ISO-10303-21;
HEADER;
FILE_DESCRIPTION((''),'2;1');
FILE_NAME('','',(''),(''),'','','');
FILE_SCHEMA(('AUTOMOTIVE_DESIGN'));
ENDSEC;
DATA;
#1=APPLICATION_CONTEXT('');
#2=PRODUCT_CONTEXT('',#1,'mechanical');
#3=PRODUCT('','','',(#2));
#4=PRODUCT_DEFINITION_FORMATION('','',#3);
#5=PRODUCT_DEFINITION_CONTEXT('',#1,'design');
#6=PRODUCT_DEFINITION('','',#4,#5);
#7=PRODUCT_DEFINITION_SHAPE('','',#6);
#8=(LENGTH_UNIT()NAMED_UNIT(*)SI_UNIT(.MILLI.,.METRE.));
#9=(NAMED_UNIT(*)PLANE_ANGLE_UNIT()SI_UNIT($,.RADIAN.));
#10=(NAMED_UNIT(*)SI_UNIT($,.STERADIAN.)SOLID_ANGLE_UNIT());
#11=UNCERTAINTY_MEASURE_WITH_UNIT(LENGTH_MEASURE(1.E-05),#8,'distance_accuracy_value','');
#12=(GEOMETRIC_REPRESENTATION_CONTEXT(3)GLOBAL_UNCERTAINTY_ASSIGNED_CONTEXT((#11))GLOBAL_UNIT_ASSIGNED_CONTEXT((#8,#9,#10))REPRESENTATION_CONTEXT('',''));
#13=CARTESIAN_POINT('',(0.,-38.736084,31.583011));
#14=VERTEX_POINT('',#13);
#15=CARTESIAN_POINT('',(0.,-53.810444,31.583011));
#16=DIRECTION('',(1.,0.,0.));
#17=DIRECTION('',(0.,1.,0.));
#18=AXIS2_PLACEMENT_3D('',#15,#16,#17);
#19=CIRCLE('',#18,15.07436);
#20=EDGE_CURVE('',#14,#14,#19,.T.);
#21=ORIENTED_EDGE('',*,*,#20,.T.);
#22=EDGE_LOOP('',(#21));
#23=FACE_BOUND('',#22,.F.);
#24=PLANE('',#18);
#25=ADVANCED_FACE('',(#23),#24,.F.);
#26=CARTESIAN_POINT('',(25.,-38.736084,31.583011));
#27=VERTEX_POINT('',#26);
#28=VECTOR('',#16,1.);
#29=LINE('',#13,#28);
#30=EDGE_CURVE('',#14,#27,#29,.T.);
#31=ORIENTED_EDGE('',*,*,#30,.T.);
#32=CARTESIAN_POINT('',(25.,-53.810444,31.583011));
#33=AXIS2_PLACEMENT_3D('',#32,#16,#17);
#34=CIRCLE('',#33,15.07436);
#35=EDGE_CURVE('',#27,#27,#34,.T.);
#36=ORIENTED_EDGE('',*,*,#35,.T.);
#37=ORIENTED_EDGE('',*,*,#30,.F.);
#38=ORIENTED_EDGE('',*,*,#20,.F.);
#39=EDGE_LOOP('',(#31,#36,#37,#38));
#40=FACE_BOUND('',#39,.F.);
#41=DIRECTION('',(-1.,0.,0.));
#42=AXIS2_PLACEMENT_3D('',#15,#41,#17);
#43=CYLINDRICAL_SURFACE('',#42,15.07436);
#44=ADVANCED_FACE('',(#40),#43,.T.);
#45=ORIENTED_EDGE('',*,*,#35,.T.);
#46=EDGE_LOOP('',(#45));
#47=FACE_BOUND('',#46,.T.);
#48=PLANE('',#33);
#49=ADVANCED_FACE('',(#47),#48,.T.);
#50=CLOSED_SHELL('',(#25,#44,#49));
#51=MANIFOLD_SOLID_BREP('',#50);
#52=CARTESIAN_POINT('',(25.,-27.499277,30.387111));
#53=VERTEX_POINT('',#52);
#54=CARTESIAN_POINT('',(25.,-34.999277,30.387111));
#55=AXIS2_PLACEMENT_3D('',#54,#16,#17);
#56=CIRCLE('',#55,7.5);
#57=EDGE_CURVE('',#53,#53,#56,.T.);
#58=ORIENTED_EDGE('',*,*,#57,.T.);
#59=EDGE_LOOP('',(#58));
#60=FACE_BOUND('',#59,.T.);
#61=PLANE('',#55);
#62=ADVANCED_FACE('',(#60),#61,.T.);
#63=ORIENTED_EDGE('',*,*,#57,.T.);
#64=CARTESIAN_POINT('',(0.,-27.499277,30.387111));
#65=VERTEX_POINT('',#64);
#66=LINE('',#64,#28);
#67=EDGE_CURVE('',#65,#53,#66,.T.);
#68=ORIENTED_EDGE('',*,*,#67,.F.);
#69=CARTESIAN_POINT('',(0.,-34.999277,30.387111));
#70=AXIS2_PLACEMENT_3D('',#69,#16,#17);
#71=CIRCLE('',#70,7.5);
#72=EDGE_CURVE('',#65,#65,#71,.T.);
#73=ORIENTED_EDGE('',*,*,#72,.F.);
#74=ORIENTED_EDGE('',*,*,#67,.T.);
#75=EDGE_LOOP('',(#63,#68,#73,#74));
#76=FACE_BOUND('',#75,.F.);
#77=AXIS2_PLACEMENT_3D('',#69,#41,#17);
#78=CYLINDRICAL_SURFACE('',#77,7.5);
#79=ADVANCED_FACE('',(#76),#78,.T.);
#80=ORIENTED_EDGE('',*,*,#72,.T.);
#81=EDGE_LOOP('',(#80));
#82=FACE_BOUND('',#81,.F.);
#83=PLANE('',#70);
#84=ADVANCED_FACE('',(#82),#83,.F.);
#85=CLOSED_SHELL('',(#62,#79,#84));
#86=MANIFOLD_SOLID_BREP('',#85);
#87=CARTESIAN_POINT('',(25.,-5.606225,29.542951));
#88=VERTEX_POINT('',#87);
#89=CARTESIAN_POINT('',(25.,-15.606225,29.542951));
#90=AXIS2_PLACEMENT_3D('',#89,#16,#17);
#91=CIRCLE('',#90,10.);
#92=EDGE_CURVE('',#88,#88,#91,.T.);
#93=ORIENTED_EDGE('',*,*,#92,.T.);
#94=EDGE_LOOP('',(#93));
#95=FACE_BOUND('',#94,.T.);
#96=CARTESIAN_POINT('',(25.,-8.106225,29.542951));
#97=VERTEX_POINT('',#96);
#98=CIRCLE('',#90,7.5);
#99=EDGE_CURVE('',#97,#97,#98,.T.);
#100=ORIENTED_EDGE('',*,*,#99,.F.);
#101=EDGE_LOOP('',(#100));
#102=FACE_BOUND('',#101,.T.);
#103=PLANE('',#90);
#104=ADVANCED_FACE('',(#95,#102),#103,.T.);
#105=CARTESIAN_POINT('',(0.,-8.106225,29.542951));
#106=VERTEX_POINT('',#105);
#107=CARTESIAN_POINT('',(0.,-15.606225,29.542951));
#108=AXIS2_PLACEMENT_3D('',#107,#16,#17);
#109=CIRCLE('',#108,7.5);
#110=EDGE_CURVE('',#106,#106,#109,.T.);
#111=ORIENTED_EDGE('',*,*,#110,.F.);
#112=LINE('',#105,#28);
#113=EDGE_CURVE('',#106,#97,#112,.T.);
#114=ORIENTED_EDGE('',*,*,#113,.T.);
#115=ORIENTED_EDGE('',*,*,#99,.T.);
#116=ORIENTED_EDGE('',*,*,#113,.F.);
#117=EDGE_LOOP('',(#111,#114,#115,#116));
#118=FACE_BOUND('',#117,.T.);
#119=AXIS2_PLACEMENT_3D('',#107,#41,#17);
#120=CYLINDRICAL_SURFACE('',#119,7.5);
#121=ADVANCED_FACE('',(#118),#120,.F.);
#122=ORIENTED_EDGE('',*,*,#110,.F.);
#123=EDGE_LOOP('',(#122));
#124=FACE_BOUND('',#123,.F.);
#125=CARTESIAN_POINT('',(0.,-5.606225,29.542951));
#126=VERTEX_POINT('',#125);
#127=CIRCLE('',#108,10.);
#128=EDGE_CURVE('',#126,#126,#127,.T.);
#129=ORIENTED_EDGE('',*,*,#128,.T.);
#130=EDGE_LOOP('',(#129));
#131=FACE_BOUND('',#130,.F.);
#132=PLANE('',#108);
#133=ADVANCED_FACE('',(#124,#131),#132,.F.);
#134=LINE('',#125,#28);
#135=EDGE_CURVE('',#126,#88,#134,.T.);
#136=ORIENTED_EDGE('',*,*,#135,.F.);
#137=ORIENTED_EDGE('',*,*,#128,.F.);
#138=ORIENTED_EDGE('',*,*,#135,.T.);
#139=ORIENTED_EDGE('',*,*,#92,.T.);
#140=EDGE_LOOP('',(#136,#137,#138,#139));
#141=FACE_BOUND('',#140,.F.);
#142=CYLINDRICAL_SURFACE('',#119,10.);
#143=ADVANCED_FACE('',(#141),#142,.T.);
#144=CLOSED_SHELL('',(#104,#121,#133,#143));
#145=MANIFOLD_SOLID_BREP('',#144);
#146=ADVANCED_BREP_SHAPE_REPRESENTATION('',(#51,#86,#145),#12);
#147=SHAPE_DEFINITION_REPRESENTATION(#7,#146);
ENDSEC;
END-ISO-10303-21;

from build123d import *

# Parameters (mm, degrees)
F0_R     = 15.07436
F3_DEPTH = 25
F1_R     = 7.5
F4_DEPTH = 25
F2_R     = 10
F2_R_2   = 7.5
F5_DEPTH = 25


with BuildPart() as f3:
    # F0 (on Right) → F3 (new body)
    with BuildSketch(Plane.YZ):
        with Locations((-53.810444, 31.583011)):
            Circle(F0_R)
    extrude(amount=F3_DEPTH)


with BuildPart() as f4:
    # F1 (on Right) → F4 (new body)
    with BuildSketch(Plane.YZ):
        with Locations((-34.999277, 30.387111)):
            Circle(F1_R)
    extrude(amount=F4_DEPTH)


with BuildPart() as f5:
    # F2 (on Right) → F5 (new body)
    with BuildSketch(Plane.YZ):
        with Locations((-15.606225, 29.542951)):
            Circle(F2_R)
        with Locations((-15.606225, 29.542951)):
            Circle(F2_R_2, mode=Mode.SUBTRACT)
    extrude(amount=F5_DEPTH)


solid = Compound([f3.part, f4.part, f5.part])
